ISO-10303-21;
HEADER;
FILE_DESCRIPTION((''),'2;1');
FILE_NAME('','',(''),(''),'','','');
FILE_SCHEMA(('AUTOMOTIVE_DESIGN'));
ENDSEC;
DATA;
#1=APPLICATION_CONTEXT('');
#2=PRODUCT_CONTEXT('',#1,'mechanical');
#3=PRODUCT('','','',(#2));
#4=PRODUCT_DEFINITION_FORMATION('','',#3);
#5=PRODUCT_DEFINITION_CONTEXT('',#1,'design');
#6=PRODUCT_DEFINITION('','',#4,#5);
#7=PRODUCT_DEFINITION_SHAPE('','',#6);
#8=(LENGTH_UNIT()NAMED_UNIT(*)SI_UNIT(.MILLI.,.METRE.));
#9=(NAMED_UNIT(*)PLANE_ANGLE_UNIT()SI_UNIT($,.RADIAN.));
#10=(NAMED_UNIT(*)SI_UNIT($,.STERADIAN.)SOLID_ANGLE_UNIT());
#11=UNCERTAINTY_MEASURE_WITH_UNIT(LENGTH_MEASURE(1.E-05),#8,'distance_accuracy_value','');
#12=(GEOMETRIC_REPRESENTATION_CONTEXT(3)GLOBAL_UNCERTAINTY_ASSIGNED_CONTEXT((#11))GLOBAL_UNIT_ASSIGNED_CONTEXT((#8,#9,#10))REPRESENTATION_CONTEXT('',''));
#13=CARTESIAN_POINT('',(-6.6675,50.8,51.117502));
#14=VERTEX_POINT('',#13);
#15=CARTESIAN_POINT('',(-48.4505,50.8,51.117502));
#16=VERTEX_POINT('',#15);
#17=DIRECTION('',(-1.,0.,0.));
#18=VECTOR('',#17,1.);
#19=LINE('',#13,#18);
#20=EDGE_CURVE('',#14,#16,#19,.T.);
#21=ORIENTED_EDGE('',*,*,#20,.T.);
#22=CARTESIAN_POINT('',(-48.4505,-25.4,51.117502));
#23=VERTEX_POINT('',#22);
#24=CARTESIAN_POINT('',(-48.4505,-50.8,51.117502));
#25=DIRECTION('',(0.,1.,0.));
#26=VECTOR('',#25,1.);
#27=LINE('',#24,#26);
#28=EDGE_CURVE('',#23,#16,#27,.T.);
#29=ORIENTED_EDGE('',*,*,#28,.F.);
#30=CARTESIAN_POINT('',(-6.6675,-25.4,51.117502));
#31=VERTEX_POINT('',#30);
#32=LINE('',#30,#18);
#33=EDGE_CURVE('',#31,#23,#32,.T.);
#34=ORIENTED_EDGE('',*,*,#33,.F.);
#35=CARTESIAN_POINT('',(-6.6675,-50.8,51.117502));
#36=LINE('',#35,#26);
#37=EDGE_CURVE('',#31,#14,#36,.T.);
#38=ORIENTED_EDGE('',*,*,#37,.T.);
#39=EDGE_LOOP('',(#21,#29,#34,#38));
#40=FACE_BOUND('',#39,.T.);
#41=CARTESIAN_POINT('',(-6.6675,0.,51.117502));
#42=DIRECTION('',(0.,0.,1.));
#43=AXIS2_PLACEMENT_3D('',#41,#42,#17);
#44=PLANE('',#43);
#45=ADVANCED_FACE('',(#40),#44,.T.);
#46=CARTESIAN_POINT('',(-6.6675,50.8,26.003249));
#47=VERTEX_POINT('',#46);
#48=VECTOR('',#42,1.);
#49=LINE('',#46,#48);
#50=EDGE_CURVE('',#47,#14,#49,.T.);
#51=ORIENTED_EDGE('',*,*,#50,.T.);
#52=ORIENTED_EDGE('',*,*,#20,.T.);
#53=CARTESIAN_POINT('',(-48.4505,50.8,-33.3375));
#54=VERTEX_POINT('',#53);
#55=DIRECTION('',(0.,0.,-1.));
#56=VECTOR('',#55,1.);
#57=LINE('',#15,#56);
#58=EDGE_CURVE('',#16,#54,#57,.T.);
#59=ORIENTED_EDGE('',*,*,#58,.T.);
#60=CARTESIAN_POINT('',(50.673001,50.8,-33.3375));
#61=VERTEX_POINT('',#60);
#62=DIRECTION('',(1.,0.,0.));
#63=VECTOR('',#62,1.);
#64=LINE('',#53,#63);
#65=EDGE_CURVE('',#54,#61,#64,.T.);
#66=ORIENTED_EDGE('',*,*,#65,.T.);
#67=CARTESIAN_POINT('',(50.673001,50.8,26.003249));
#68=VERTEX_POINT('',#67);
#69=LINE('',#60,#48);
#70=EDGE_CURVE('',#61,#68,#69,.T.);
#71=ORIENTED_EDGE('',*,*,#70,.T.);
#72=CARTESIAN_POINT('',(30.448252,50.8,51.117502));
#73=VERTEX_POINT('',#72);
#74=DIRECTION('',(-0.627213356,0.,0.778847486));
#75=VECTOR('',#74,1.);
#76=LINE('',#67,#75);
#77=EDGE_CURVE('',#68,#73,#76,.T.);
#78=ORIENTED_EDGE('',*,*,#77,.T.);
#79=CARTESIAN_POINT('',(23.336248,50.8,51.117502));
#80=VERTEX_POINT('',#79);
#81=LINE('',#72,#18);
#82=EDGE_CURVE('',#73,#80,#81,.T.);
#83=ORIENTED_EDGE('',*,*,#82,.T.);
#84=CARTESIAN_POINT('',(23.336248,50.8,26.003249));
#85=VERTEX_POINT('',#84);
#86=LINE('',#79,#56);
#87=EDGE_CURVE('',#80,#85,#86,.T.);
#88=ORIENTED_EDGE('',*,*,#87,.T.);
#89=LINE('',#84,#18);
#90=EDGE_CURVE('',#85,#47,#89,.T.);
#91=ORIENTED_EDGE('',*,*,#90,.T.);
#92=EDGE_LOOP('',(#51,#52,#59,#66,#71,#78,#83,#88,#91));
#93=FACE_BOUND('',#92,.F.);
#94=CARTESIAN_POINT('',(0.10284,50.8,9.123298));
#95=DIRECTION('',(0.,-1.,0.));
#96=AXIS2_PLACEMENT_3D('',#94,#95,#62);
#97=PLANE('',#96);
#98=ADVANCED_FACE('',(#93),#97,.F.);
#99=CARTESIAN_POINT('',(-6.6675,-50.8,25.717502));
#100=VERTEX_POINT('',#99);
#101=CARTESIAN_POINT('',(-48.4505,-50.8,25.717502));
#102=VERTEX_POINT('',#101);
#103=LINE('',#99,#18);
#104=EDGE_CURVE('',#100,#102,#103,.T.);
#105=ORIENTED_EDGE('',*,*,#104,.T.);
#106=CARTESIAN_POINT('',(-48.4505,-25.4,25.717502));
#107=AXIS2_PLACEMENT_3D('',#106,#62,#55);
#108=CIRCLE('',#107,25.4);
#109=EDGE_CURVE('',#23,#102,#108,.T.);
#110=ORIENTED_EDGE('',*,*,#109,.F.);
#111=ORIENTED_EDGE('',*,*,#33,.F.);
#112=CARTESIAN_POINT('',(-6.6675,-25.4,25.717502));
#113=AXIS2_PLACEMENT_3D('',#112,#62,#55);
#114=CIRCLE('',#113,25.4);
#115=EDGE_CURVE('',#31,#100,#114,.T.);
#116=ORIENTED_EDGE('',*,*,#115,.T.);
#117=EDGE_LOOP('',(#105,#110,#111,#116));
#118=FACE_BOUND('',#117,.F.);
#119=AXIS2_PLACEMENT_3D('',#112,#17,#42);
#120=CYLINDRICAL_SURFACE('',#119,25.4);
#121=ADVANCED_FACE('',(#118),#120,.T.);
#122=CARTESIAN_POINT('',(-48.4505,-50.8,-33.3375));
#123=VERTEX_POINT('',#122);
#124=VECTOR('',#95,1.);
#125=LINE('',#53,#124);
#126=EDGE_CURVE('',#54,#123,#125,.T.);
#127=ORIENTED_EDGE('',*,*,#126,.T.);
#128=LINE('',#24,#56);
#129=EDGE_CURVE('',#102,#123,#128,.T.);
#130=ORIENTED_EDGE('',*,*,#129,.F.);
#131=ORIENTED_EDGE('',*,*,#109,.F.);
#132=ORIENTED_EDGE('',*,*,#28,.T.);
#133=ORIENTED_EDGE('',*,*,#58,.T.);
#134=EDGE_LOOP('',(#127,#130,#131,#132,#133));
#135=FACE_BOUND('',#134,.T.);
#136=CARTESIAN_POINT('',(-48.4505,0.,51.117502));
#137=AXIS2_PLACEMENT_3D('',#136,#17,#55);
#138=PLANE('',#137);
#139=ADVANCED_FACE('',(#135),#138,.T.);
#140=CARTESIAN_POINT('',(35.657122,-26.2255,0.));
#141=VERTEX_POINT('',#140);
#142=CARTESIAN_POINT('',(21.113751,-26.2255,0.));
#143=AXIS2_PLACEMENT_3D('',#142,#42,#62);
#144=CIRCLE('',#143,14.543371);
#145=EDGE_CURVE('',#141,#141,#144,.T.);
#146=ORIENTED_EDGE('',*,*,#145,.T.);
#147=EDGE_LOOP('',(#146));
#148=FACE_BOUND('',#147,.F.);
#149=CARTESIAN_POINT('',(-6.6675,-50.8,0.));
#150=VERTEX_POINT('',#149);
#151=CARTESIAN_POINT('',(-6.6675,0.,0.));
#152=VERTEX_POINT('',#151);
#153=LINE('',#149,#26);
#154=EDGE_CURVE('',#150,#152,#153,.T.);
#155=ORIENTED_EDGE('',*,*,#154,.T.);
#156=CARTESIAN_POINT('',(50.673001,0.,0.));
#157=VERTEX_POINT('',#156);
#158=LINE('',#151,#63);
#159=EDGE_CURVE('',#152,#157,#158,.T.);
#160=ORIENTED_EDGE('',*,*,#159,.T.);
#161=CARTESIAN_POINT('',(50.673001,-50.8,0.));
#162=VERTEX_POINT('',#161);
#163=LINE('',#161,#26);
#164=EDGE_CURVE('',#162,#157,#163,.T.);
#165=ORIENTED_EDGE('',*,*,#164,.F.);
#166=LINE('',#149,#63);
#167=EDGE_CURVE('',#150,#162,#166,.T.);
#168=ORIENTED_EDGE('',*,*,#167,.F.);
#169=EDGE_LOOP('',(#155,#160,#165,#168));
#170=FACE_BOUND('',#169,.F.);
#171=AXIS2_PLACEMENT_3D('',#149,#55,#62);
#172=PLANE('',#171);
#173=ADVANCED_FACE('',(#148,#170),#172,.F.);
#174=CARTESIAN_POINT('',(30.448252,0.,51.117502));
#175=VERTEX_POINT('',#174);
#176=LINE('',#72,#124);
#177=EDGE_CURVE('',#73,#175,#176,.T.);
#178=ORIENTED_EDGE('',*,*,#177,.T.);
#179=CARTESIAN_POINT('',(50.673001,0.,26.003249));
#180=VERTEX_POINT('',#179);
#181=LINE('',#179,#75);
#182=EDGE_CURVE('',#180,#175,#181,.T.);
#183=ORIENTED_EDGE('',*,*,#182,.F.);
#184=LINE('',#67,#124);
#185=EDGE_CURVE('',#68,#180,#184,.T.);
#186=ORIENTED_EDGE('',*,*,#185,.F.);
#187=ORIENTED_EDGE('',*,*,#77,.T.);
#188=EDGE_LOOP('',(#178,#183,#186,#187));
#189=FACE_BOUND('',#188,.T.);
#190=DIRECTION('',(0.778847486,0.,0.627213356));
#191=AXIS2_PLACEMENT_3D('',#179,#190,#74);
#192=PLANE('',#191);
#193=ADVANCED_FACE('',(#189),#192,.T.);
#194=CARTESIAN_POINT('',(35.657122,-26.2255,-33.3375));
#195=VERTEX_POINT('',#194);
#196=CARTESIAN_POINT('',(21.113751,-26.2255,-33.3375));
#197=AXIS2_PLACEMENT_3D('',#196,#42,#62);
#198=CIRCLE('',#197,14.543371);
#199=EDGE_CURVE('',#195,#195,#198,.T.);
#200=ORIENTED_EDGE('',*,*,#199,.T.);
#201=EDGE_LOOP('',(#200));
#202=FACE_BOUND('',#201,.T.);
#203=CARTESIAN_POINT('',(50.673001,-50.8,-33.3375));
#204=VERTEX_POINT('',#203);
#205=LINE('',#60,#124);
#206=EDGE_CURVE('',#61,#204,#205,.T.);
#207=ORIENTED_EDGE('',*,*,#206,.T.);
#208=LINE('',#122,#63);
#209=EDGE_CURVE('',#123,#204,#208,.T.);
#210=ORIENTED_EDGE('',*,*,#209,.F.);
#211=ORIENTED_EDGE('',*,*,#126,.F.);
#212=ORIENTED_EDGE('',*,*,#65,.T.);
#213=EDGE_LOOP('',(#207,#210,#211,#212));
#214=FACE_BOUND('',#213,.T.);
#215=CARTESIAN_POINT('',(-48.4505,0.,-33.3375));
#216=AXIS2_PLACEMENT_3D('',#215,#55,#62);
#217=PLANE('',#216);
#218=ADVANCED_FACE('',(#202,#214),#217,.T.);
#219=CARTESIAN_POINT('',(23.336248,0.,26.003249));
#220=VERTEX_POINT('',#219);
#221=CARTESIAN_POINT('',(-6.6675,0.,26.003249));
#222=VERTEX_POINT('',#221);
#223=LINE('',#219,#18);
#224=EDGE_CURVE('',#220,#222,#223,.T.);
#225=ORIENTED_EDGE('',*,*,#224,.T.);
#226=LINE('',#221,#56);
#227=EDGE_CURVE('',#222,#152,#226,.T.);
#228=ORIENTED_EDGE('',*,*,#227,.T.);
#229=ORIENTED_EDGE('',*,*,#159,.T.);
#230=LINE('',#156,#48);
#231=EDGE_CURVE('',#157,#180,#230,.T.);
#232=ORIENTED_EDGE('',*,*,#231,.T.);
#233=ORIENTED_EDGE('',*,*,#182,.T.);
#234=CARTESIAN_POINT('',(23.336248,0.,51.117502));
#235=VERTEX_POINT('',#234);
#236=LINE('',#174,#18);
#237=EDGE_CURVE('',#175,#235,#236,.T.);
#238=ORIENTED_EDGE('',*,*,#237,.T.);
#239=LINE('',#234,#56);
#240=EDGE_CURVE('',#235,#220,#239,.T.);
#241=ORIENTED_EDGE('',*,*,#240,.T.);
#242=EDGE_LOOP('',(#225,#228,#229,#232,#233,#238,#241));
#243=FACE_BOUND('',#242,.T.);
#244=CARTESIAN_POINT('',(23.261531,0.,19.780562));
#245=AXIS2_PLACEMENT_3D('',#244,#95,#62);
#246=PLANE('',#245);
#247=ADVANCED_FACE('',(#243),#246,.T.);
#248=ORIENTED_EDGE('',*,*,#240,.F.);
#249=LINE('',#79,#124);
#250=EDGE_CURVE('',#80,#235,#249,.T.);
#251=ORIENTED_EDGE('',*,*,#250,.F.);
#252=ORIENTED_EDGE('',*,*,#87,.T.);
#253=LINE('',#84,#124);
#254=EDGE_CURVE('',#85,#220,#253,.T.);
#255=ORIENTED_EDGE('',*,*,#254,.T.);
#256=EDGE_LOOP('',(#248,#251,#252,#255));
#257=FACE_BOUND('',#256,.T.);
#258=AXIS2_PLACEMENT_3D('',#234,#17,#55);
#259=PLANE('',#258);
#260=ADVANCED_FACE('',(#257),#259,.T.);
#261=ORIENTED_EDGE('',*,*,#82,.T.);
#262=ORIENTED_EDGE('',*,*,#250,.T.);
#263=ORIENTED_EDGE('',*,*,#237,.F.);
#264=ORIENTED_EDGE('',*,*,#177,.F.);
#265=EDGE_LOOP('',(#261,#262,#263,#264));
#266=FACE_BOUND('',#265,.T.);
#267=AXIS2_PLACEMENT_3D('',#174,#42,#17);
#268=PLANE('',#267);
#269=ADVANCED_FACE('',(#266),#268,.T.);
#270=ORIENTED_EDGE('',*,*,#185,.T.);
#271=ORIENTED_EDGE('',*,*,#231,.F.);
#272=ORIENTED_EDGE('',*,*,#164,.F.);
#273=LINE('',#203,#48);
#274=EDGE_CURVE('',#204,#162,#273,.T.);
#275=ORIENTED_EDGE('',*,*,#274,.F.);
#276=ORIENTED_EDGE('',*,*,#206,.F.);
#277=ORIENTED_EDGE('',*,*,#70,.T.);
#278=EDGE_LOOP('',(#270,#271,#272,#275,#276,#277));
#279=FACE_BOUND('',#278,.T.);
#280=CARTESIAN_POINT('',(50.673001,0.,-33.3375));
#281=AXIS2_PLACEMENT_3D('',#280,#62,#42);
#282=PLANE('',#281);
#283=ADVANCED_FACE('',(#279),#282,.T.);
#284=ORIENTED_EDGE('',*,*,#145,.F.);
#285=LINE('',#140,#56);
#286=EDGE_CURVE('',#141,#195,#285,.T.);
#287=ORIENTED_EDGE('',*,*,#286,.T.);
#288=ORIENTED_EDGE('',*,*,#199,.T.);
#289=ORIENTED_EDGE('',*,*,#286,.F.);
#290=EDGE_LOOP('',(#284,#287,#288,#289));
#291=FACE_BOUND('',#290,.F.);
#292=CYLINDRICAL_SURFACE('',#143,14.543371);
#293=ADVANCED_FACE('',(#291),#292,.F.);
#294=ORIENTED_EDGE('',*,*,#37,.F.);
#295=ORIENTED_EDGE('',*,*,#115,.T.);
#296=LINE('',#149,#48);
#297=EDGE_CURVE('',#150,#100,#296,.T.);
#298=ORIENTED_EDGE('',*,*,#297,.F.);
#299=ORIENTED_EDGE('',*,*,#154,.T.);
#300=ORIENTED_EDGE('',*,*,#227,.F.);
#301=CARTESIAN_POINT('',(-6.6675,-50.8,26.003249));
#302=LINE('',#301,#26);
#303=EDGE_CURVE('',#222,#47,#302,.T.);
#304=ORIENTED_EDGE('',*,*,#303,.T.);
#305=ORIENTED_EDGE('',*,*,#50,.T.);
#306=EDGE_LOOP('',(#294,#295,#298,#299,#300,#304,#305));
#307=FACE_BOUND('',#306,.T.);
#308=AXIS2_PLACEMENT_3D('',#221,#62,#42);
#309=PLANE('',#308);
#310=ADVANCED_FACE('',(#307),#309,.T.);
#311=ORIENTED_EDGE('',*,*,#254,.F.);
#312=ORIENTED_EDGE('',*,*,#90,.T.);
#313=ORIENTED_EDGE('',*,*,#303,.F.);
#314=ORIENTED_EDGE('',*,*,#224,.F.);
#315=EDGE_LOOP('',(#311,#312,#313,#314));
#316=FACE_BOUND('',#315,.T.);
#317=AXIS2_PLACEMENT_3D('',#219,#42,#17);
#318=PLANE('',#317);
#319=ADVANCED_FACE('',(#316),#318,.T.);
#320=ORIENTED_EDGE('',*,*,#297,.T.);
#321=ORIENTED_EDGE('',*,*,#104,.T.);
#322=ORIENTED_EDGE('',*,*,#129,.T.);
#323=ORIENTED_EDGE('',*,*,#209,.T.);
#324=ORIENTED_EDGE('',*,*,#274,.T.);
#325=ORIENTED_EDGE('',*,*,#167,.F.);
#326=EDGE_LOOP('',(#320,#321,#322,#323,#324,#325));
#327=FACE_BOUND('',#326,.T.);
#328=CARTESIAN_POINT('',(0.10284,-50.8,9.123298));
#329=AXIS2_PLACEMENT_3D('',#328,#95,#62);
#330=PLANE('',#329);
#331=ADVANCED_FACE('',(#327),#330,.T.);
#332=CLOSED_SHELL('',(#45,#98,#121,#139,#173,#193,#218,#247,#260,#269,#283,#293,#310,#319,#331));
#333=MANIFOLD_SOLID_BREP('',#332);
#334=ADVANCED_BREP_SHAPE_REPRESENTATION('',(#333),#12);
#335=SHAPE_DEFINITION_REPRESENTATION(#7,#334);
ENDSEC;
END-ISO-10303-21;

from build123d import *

# Parameters (mm, degrees)
F1_DEPTH = 50.8
F3_DEPTH = 50.8
F4_R     = 25.4
F5_R     = 14.543371
F6_DEPTH = 33.3385


with BuildPart() as f1:
    # F0 (on Front) → F1 (new body, symmetric)
    with BuildSketch(Plane.XZ):
        Polygon((-48.4505, 51.117502), (-48.4505, -33.3375), (50.673001, -33.3375), (50.673001, 26.003249), (30.448252, 51.117502), (23.336248, 51.117502), (23.336248, 26.003249), (-6.6675, 26.003249), (-6.6675, 51.117502), align=None)
    extrude(amount=F1_DEPTH, both=True)

    # F2 (on face) → F3 (cut)
    with BuildSketch(Plane.XZ.offset(50.8)):
        Polygon((23.336248, 26.003249), (-6.6675, 26.003249), (-6.6675, 0), (50.673001, 0), (50.673001, 26.003249), (30.448252, 51.117502), (23.336248, 51.117502), align=None)
    extrude(amount=-F3_DEPTH, mode=Mode.SUBTRACT)

    # F4
    f4_edges = [f1.edges().sort_by_distance(p)[0] for p in [
        (-27.559, -50.8, 51.117502),
    ]]
    fillet(f4_edges, radius=F4_R)

    # F5 (on Top) → F6 (cut, through all)
    with BuildSketch(Plane.XY):
        with Locations((21.113751, -26.2255)):
            Circle(F5_R)
    extrude(amount=-F6_DEPTH, mode=Mode.SUBTRACT)


solid = f1.part
